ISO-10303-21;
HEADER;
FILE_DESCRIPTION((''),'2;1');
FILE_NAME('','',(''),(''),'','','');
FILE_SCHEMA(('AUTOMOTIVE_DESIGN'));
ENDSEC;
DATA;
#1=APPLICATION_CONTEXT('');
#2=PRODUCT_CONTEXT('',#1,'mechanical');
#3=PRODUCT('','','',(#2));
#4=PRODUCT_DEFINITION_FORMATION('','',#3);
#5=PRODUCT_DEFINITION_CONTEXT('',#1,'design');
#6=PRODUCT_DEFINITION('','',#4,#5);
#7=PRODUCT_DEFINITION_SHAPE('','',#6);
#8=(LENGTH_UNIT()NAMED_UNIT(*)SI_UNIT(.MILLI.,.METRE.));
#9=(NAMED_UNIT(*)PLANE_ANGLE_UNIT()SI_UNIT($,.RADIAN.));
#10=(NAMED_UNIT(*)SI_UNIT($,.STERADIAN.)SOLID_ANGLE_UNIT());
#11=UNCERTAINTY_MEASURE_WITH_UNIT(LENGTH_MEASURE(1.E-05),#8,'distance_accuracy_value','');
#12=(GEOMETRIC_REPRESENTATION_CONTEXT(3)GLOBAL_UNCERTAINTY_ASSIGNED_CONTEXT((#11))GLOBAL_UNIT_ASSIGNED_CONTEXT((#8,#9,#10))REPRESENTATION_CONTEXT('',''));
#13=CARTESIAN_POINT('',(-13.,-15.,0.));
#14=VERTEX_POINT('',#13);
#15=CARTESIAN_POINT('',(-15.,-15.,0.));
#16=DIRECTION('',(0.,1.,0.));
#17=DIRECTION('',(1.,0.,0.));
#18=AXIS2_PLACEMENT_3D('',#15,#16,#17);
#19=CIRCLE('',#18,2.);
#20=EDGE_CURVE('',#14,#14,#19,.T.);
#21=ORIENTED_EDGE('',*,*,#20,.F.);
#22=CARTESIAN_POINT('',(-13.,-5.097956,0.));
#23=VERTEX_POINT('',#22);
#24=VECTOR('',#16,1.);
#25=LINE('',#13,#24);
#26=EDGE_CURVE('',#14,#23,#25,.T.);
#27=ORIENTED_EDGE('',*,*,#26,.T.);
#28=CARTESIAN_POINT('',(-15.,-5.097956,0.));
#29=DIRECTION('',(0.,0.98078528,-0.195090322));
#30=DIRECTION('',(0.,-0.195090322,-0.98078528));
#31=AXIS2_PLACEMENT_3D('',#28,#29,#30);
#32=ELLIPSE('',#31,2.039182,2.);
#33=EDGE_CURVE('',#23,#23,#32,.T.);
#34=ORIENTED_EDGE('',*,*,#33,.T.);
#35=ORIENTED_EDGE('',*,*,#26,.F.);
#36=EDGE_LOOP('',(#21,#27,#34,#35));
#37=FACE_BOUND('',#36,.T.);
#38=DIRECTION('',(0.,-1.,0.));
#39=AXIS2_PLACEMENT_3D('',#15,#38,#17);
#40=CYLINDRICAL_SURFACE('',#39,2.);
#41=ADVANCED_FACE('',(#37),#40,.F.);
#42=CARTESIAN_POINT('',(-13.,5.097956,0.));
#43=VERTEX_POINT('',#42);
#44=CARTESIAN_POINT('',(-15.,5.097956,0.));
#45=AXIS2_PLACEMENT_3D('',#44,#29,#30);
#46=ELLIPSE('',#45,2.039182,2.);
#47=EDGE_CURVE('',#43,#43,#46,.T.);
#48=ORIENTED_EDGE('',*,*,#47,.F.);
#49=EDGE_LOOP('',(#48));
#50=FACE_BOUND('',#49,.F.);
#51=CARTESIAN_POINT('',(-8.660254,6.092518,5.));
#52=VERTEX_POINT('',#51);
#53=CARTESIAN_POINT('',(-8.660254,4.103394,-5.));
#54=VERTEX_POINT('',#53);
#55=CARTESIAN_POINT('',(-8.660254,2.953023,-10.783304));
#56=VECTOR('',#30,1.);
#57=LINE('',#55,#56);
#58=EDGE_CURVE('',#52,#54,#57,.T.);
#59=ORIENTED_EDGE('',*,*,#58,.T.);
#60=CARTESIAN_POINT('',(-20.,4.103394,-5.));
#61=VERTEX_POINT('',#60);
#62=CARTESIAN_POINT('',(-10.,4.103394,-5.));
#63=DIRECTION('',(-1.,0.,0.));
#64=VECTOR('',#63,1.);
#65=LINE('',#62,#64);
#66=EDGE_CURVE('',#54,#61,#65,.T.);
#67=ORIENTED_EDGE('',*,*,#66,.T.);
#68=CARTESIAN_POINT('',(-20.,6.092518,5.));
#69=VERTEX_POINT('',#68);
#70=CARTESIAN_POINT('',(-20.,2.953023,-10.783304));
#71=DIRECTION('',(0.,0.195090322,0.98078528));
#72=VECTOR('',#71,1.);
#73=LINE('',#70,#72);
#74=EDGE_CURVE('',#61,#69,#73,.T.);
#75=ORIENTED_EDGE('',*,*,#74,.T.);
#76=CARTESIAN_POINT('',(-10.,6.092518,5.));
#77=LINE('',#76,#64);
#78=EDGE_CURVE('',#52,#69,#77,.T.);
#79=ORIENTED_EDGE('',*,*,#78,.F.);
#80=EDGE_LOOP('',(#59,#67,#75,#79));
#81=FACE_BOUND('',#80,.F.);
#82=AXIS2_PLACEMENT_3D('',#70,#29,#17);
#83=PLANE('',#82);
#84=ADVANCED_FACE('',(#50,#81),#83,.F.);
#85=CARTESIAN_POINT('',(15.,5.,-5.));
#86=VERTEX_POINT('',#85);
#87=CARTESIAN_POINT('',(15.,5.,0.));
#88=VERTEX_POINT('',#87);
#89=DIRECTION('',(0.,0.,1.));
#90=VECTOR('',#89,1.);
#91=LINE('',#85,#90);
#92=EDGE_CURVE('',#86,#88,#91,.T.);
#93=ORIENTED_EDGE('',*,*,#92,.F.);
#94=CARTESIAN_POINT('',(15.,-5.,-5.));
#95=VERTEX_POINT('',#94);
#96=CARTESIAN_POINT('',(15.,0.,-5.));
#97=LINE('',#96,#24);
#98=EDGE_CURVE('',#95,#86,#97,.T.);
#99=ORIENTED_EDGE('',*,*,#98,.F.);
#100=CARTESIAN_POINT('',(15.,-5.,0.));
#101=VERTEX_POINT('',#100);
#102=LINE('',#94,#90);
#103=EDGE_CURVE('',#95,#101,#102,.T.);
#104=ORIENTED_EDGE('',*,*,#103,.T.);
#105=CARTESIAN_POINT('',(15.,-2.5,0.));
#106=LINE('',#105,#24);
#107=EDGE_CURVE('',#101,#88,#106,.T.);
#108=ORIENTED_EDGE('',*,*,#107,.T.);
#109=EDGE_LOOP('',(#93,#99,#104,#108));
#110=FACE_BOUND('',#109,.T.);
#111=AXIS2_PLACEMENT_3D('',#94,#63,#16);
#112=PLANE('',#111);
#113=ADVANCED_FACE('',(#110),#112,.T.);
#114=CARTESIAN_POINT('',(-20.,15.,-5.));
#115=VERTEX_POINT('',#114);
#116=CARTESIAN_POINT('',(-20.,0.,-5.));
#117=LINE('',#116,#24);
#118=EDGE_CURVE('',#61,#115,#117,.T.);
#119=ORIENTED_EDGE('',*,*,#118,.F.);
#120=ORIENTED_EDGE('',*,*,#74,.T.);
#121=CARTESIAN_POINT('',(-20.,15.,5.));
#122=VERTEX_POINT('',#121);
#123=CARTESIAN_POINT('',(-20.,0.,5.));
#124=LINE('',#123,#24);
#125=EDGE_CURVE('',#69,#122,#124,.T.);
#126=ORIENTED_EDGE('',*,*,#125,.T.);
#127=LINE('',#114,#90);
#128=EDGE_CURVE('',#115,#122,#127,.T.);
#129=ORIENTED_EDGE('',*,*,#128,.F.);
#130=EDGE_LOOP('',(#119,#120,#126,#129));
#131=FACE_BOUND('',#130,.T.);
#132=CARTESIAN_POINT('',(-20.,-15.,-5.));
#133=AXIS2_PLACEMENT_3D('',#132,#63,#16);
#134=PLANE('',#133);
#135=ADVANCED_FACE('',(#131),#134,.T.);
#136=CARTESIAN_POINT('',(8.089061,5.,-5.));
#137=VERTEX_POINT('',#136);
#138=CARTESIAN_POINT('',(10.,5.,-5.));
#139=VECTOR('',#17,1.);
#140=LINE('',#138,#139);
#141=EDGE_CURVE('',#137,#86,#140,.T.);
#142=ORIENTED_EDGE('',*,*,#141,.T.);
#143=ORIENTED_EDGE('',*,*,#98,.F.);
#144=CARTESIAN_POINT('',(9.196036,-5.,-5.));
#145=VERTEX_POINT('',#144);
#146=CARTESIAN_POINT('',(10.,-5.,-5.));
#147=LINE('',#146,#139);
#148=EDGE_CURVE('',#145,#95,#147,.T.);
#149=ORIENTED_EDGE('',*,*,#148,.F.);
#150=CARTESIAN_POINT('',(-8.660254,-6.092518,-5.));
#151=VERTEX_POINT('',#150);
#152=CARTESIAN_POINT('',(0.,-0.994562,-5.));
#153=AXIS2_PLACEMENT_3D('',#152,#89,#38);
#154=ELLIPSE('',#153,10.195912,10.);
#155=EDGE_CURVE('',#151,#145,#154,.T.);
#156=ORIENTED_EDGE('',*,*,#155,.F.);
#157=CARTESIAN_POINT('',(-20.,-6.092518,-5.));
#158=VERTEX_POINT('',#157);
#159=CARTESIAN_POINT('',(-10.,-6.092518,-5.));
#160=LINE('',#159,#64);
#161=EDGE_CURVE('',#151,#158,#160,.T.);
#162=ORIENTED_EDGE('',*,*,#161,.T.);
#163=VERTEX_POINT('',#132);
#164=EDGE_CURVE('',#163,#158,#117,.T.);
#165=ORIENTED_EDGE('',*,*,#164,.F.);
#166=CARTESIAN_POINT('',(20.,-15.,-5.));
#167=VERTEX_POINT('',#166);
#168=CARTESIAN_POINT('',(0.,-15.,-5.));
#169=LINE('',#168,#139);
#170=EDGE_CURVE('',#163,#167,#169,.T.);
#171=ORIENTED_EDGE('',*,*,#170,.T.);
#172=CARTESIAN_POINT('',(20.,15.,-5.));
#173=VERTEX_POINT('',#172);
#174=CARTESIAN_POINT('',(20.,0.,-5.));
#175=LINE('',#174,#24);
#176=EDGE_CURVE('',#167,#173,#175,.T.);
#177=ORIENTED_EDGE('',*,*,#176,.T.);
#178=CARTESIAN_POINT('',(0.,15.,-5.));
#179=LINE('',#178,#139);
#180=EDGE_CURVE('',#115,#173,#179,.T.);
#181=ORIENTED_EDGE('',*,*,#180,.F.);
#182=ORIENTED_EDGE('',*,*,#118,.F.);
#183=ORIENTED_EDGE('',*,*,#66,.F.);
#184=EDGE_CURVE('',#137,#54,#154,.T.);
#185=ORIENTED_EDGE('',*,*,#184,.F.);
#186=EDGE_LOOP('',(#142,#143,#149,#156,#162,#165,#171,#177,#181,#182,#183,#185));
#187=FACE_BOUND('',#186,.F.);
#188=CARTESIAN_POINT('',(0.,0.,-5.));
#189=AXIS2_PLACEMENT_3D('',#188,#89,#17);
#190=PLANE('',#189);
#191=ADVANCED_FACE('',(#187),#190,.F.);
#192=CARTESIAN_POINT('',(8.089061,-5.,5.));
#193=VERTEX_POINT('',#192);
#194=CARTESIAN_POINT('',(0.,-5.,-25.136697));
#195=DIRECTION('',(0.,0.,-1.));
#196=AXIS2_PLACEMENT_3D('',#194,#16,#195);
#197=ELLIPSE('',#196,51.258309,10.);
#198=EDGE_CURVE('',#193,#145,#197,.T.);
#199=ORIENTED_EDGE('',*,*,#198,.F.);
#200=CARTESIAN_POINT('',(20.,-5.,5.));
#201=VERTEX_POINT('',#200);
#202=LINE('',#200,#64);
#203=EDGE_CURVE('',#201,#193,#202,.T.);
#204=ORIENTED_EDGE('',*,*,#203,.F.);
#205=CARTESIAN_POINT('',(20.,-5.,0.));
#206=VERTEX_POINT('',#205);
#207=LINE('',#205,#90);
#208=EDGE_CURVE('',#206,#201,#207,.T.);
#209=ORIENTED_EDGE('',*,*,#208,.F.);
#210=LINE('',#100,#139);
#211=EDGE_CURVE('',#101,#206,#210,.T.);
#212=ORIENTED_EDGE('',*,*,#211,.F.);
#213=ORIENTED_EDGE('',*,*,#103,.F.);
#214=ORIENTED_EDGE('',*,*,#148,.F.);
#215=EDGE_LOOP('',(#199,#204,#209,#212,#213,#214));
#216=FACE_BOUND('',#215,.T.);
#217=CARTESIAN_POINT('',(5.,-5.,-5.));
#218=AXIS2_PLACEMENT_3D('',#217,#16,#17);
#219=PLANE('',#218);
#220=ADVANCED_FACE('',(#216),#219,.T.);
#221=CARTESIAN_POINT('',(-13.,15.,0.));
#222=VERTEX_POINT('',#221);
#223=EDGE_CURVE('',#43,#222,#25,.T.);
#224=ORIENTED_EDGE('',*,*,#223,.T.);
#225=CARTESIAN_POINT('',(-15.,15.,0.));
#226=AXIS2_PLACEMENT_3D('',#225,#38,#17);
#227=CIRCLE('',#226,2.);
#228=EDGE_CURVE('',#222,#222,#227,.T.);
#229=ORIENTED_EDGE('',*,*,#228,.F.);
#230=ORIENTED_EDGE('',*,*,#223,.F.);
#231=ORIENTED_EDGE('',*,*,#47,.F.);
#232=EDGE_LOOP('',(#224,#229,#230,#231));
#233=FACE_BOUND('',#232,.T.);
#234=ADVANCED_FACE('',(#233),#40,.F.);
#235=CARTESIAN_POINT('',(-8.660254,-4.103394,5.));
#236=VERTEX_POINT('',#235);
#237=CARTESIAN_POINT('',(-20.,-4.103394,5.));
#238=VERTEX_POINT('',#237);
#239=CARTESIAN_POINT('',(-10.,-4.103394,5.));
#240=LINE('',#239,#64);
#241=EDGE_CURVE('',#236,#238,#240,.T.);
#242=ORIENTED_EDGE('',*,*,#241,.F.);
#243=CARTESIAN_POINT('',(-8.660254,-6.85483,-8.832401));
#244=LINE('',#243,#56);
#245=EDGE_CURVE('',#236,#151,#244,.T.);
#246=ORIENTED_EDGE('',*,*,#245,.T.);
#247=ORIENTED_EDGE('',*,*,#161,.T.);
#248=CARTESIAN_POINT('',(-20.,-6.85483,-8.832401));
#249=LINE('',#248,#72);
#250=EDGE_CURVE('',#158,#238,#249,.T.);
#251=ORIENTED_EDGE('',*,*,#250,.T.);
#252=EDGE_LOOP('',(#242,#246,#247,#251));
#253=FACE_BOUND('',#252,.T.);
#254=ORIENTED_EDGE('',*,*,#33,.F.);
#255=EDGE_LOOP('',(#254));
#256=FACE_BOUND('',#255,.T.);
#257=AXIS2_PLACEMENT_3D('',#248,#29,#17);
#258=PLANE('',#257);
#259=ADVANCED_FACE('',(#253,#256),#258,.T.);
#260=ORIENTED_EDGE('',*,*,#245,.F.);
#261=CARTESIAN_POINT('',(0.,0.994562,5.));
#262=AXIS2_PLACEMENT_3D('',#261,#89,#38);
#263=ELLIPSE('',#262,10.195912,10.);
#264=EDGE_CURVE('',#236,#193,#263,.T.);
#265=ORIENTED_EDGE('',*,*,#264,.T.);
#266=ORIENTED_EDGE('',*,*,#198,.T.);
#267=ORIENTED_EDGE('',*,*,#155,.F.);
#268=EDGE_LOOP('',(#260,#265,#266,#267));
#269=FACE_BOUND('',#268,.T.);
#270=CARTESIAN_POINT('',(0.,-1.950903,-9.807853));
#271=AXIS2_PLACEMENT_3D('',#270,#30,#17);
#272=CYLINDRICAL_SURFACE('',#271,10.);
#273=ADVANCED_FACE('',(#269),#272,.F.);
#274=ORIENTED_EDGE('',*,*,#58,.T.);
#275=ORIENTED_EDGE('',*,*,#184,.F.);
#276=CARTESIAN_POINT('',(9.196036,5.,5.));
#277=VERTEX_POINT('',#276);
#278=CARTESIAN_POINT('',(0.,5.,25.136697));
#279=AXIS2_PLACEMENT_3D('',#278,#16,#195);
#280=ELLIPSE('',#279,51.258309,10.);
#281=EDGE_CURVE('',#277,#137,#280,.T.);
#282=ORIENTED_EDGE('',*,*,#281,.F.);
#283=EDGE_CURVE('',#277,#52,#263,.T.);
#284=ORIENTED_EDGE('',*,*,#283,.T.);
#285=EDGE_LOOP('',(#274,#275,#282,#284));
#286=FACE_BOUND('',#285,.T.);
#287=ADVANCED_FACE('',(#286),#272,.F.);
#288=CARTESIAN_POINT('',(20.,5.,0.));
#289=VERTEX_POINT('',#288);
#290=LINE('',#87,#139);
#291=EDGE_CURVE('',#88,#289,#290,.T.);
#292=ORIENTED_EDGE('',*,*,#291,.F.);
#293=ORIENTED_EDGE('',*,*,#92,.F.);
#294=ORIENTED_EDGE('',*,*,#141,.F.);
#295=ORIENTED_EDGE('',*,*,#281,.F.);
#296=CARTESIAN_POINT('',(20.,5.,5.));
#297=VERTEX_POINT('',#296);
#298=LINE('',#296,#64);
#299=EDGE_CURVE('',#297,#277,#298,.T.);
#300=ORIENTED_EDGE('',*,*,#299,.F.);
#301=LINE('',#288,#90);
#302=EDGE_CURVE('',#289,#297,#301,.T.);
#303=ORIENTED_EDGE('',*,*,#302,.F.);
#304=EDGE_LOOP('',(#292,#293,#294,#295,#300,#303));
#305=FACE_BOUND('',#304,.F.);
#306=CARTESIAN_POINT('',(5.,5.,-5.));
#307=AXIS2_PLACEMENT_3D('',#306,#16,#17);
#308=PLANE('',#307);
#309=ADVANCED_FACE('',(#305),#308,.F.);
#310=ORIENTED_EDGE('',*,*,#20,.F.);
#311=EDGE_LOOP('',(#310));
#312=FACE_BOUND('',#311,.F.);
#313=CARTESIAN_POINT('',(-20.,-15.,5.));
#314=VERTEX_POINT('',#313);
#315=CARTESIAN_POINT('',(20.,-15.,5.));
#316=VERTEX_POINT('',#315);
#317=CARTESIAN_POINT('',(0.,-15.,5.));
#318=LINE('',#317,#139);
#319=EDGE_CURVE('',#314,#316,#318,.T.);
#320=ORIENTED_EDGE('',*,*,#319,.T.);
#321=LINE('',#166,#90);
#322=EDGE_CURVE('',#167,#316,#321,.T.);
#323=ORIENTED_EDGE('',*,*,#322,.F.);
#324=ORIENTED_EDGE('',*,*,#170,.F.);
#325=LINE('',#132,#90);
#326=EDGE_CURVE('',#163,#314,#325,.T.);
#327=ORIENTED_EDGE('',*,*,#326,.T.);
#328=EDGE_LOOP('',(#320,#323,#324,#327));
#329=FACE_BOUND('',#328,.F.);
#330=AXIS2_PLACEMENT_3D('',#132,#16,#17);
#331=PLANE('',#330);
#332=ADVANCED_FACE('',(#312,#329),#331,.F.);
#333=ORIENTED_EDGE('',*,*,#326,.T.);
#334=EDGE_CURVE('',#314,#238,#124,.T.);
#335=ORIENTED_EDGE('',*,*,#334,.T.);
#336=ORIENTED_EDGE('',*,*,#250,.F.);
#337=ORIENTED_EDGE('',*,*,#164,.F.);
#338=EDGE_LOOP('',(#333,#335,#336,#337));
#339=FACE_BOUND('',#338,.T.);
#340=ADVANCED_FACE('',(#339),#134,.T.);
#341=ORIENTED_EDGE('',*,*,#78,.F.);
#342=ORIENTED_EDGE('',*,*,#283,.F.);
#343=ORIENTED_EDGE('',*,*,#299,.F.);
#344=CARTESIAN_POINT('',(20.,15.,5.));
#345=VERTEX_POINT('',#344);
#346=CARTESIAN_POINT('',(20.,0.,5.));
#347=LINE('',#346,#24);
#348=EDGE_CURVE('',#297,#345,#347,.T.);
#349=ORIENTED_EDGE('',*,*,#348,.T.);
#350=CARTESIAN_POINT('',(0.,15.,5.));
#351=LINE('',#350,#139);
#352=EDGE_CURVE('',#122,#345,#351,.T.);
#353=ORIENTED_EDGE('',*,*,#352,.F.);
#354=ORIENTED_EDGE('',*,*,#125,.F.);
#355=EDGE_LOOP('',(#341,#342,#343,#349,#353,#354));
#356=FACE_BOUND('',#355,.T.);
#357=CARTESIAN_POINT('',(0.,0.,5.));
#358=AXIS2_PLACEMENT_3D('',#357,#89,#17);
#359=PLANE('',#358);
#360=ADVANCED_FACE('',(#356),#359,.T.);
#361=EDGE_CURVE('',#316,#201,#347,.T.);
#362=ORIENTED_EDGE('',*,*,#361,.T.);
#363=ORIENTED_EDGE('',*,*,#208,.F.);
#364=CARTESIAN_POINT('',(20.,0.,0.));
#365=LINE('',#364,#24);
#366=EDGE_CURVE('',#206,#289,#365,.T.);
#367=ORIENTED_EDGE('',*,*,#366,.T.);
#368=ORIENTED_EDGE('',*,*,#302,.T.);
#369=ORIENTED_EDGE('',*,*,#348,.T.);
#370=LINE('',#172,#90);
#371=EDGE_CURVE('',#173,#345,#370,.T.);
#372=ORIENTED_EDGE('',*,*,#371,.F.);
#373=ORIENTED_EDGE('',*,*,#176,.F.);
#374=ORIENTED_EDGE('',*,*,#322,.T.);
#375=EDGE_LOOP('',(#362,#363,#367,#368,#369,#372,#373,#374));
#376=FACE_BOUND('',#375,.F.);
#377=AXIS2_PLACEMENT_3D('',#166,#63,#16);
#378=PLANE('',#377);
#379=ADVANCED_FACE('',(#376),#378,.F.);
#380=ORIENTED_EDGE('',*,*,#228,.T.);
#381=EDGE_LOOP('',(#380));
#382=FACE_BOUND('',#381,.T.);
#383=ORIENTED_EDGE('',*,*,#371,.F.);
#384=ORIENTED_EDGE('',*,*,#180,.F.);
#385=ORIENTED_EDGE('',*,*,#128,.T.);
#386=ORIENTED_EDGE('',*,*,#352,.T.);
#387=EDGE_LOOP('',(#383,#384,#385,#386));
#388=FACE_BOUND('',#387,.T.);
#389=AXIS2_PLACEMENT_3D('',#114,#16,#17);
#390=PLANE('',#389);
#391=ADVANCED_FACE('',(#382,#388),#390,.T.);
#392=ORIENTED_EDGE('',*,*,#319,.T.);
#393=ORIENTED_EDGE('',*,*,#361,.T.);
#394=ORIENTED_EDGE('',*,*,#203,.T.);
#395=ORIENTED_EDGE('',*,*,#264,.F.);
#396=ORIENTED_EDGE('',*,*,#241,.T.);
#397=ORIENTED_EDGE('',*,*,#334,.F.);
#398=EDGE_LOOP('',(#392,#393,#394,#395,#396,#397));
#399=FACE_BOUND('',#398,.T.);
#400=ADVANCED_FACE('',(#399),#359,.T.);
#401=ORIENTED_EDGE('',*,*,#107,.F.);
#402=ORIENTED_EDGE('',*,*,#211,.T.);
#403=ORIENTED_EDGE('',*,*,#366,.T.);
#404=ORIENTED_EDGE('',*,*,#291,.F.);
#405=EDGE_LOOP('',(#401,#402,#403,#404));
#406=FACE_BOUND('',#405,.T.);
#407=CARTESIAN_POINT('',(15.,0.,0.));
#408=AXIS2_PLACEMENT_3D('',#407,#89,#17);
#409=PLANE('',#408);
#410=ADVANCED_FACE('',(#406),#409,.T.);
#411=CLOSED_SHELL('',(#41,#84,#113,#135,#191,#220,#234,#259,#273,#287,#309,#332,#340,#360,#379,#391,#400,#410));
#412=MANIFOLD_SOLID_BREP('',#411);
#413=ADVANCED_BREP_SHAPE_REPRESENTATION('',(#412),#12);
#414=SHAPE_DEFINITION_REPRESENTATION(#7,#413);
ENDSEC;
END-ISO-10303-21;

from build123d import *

# Parameters (mm, degrees)
BOX002_W               = 10
BOX002_H               = 10
BOX002_DEPTH           = 5
CYLINDER003_R          = 2
CYLINDER003_DEPTH      = 35
CYLINDER003_ROLL_ANGLE = -90
CYLINDER004_R          = 10
CYLINDER004_DEPTH      = 20
BOX003_W               = 15
BOX003_H               = 10
BOX003_DEPTH           = 20
FUSION001_ROLL_ANGLE   = -11.25
BOX001_W               = 10
BOX001_H               = 10
BOX001_DEPTH           = 10
BOX_W                  = 40
BOX_H                  = 30
BOX_DEPTH              = 10


with BuildPart() as cube002:
    # Box002 → Box002 (new body)
    with BuildSketch(Plane(origin=(10, -5, 0), x_dir=(1, 0, 0), z_dir=(0, 0, 1))):
        with Locations((5, 5)):
            Rectangle(BOX002_W, BOX002_H)
    extrude(amount=BOX002_DEPTH)


with BuildPart() as cylinder003:
    # Cylinder003 → Cylinder003 (new body)
    with BuildSketch(Plane.XY):
        Circle(CYLINDER003_R)
    extrude(amount=CYLINDER003_DEPTH)


with BuildPart() as cylinder003_1:
    # Cylinder003 roll: moved
    add(cylinder003.part.rotate(Axis((0, 0, 0), (1, 0, 0)), CYLINDER003_ROLL_ANGLE))


with BuildPart() as cylinder003_2:
    # Cylinder003 placement: moved
    add(cylinder003_1.part.moved(Location((-15, -15, 0))))


with BuildPart() as rail_cylinder:
    # Cylinder004 → Cylinder004 (new body)
    with BuildSketch(Plane.XY.offset(-10)):
        Circle(CYLINDER004_R)
    extrude(amount=CYLINDER004_DEPTH)


with BuildPart() as fusion001:
    # Box003 → Box003 (new body)
    with BuildSketch(Plane(origin=(-20, -5, -10), x_dir=(1, 0, 0), z_dir=(0, 0, 1))):
        with Locations((7.5, 5)):
            Rectangle(BOX003_W, BOX003_H)
    extrude(amount=BOX003_DEPTH)

    # Fusion001: union Rail Cylinder
    add(rail_cylinder.part)


with BuildPart() as fusion001_1:
    # Fusion001 roll: moved
    add(fusion001.part.rotate(Axis((0, 0, 0), (1, 0, 0)), FUSION001_ROLL_ANGLE))


with BuildPart() as fusion001_2:
    # Fusion001 placement: moved
    add(fusion001_1.part)


with BuildPart() as negative_fusion:
    # Box001 → Box001 (new body)
    with BuildSketch(Plane(origin=(5, -5, -5), x_dir=(1, 0, 0), z_dir=(0, 0, 1))):
        with Locations((5, 5)):
            Rectangle(BOX001_W, BOX001_H)
    extrude(amount=BOX001_DEPTH)

    # Fusion: union Cube002, Cylinder003, Fusion001
    add(cube002.part)
    add(cylinder003_2.part)
    add(fusion001_2.part)


with BuildPart() as cut:
    # Box → Box (new body)
    with BuildSketch(Plane(origin=(-20, -15, -5), x_dir=(1, 0, 0), z_dir=(0, 0, 1))):
        with Locations((20, 15)):
            Rectangle(BOX_W, BOX_H)
    extrude(amount=BOX_DEPTH)

    # Cut: cut Negative Fusion
    add(negative_fusion.part, mode=Mode.SUBTRACT)


solid = cut.part
